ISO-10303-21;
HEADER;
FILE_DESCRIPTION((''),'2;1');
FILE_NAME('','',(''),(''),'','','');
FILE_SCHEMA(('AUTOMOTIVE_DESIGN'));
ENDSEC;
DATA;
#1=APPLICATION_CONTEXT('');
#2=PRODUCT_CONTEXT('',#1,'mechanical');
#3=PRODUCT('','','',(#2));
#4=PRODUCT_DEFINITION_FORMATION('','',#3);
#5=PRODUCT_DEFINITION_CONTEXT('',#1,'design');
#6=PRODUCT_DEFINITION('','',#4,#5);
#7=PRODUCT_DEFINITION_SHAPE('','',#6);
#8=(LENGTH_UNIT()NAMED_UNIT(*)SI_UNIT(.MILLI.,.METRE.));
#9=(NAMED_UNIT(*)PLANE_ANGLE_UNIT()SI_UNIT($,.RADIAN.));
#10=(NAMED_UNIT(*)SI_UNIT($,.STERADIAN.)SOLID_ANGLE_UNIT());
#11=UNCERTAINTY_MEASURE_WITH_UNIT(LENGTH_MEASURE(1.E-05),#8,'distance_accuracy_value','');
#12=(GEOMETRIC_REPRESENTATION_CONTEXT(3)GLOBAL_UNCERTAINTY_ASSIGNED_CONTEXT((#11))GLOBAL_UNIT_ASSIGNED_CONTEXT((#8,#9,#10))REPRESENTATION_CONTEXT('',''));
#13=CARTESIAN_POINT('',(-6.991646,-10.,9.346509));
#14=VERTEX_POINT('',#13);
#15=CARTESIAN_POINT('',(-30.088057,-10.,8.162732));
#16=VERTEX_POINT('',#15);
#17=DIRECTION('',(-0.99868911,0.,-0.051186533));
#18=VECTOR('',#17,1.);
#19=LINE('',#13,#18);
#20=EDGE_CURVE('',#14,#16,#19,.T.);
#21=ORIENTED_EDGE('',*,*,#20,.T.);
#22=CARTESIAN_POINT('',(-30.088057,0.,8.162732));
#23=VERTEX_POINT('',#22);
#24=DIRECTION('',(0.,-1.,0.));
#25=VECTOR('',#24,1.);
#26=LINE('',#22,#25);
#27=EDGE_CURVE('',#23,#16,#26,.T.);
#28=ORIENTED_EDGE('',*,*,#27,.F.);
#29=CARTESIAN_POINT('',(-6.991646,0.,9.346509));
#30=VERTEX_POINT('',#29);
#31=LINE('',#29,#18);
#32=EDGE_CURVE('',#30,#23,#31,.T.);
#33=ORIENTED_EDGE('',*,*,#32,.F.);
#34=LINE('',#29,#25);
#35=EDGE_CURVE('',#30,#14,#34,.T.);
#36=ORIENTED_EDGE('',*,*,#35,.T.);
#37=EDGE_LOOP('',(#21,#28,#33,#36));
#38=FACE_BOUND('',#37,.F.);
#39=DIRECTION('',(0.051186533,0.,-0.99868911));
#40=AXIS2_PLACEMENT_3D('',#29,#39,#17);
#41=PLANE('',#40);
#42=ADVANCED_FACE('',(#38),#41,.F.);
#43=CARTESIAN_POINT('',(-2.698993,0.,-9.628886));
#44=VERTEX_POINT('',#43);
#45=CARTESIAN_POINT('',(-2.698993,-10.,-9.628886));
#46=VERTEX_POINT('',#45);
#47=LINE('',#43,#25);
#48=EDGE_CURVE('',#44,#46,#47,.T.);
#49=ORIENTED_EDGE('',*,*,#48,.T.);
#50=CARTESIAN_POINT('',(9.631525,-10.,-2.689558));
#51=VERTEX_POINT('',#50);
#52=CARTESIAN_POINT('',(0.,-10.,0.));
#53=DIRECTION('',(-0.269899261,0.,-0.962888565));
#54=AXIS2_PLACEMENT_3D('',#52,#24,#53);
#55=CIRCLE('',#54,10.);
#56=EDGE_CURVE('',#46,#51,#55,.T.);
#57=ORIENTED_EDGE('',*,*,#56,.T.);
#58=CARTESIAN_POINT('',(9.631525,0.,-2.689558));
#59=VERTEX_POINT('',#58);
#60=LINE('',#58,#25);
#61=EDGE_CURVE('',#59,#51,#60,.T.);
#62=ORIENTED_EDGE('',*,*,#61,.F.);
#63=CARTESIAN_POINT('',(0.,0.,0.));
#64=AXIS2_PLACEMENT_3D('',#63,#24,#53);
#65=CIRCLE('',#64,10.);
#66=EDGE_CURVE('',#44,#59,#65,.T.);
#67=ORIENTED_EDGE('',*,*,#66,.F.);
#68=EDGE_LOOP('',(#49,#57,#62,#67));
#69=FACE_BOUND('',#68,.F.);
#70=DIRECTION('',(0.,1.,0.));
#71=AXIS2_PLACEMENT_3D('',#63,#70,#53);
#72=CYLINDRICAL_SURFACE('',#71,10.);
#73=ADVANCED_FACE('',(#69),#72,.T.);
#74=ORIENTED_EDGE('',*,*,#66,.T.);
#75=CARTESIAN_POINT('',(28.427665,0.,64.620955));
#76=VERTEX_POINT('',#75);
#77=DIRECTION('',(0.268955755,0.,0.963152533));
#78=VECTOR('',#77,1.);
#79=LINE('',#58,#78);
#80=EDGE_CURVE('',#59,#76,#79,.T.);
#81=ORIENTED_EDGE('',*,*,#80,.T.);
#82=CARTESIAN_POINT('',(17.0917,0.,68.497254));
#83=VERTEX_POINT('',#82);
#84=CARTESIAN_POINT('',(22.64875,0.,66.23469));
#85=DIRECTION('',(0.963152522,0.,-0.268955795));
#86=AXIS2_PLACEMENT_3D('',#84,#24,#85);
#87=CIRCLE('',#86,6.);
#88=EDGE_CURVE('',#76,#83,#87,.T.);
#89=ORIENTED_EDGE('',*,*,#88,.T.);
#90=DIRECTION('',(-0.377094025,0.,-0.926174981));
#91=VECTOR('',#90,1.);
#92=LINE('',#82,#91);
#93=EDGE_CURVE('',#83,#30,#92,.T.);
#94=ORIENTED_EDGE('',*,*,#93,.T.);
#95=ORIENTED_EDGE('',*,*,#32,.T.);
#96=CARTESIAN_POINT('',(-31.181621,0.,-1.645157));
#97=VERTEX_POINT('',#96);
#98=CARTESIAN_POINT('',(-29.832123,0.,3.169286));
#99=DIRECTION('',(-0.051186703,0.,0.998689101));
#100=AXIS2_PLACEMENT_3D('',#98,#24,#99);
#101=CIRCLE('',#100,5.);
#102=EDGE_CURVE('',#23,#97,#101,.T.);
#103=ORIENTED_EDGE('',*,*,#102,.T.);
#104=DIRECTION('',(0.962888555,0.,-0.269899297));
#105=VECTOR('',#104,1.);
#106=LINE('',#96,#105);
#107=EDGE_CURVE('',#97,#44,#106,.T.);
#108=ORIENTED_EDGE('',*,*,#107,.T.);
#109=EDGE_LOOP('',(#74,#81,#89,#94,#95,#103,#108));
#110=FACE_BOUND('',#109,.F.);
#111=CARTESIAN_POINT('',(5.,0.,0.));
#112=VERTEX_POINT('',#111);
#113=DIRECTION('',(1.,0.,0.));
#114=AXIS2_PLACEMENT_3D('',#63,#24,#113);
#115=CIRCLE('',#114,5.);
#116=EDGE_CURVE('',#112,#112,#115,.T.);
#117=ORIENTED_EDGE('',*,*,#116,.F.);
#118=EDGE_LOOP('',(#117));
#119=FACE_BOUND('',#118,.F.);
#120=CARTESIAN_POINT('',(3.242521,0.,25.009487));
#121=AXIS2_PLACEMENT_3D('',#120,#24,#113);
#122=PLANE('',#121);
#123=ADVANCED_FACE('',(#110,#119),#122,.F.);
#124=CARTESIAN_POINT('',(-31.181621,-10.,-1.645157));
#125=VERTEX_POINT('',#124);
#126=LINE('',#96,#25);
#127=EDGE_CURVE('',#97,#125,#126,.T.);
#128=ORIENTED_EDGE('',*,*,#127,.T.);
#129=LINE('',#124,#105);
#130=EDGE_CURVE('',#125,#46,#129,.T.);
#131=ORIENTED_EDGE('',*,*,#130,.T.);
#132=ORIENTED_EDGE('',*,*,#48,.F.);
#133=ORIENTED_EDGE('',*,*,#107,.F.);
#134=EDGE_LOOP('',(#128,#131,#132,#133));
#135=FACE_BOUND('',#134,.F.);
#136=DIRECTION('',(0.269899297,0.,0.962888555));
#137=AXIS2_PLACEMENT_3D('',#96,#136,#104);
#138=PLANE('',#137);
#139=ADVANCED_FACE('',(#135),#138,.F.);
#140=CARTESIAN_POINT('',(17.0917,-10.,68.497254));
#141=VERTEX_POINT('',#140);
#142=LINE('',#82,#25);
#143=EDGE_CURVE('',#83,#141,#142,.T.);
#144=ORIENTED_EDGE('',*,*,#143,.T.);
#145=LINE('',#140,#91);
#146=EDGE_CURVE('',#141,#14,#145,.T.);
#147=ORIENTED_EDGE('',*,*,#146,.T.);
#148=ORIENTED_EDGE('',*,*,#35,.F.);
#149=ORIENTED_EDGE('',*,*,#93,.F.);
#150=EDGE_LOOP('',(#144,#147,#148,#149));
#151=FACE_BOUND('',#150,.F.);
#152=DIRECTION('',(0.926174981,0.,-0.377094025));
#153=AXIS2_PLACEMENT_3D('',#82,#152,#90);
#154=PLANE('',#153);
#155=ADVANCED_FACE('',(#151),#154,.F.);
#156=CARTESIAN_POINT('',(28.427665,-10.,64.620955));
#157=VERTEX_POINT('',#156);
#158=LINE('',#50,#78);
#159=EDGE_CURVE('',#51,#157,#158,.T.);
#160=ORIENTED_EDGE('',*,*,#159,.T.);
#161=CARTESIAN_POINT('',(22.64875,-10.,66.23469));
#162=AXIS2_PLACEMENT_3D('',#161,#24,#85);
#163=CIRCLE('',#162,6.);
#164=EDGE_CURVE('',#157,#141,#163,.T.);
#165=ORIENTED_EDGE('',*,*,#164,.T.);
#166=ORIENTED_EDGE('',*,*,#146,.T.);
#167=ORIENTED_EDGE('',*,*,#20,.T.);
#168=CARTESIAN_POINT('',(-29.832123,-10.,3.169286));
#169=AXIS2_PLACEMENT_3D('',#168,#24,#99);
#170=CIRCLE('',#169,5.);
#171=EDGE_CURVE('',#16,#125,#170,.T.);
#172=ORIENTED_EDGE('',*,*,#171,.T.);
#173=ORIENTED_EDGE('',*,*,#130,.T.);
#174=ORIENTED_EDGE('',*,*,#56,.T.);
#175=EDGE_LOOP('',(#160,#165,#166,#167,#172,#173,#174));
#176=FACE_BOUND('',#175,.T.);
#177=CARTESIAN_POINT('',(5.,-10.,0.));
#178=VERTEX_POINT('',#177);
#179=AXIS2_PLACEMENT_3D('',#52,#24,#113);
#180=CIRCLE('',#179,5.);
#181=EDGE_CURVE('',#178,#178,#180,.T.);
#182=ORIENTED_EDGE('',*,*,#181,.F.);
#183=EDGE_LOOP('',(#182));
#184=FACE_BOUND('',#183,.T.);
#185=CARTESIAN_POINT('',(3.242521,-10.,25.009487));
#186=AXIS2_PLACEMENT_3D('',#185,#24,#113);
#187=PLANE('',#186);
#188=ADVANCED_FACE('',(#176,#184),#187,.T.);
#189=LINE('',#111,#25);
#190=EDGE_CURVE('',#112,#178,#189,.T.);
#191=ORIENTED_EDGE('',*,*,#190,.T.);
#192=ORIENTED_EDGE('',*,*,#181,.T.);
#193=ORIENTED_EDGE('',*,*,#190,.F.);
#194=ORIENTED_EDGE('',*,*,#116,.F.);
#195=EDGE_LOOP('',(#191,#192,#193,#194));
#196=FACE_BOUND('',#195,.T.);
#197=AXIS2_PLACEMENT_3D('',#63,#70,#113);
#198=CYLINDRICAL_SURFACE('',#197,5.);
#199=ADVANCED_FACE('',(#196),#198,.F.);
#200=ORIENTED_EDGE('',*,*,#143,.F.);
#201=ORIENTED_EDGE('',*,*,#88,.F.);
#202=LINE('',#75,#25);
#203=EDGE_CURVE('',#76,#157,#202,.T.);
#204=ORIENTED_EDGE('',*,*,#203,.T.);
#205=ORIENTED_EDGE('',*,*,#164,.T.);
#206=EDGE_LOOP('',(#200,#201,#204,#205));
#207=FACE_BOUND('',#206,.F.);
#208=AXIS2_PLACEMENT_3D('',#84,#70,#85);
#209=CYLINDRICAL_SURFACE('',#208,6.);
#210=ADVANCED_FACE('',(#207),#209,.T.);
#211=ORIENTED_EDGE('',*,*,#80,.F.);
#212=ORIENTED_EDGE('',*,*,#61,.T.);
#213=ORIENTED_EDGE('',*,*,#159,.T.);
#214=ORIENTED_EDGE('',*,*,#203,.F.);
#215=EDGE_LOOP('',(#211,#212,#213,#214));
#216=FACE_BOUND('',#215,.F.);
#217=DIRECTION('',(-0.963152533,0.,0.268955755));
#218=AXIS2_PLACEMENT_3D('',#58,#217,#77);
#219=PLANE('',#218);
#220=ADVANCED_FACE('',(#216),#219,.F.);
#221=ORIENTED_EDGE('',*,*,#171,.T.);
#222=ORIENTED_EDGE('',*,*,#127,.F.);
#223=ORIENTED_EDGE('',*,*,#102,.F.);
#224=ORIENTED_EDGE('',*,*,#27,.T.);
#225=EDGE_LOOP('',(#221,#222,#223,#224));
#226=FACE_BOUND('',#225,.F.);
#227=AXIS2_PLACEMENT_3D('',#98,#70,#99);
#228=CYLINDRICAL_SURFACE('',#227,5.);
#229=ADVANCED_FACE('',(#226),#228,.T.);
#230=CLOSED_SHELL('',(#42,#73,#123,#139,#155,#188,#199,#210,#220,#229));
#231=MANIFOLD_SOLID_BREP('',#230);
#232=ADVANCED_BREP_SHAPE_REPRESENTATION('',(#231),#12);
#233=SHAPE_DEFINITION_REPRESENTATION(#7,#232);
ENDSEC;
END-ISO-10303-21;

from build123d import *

# Parameters (mm, degrees)
F0_R     = 5
F1_DEPTH = 10


with BuildPart() as f1:
    # F0 (on Front) → F1 (new body)
    with BuildSketch(Plane.XZ):
        with BuildLine():
            Line((-31.181621, -1.645157), (-2.698993, -9.628886))
            ThreePointArc((-2.698993, -9.628886), (4.904444, -8.714725), (9.631525, -2.689558))
            Line((9.631525, -2.689558), (28.427665, 64.620955))
            ThreePointArc((28.427665, 64.620955), (24.590071, 71.911949), (17.0917, 68.497254))
            Line((17.0917, 68.497254), (-6.991646, 9.346509))
            Line((-6.991646, 9.346509), (-30.088057, 8.162732))
            ThreePointArc((-30.088057, 8.162732), (-34.801331, 3.723345), (-31.181621, -1.645157))
        make_face()
        Circle(F0_R, mode=Mode.SUBTRACT)
    extrude(amount=F1_DEPTH)


solid = f1.part
